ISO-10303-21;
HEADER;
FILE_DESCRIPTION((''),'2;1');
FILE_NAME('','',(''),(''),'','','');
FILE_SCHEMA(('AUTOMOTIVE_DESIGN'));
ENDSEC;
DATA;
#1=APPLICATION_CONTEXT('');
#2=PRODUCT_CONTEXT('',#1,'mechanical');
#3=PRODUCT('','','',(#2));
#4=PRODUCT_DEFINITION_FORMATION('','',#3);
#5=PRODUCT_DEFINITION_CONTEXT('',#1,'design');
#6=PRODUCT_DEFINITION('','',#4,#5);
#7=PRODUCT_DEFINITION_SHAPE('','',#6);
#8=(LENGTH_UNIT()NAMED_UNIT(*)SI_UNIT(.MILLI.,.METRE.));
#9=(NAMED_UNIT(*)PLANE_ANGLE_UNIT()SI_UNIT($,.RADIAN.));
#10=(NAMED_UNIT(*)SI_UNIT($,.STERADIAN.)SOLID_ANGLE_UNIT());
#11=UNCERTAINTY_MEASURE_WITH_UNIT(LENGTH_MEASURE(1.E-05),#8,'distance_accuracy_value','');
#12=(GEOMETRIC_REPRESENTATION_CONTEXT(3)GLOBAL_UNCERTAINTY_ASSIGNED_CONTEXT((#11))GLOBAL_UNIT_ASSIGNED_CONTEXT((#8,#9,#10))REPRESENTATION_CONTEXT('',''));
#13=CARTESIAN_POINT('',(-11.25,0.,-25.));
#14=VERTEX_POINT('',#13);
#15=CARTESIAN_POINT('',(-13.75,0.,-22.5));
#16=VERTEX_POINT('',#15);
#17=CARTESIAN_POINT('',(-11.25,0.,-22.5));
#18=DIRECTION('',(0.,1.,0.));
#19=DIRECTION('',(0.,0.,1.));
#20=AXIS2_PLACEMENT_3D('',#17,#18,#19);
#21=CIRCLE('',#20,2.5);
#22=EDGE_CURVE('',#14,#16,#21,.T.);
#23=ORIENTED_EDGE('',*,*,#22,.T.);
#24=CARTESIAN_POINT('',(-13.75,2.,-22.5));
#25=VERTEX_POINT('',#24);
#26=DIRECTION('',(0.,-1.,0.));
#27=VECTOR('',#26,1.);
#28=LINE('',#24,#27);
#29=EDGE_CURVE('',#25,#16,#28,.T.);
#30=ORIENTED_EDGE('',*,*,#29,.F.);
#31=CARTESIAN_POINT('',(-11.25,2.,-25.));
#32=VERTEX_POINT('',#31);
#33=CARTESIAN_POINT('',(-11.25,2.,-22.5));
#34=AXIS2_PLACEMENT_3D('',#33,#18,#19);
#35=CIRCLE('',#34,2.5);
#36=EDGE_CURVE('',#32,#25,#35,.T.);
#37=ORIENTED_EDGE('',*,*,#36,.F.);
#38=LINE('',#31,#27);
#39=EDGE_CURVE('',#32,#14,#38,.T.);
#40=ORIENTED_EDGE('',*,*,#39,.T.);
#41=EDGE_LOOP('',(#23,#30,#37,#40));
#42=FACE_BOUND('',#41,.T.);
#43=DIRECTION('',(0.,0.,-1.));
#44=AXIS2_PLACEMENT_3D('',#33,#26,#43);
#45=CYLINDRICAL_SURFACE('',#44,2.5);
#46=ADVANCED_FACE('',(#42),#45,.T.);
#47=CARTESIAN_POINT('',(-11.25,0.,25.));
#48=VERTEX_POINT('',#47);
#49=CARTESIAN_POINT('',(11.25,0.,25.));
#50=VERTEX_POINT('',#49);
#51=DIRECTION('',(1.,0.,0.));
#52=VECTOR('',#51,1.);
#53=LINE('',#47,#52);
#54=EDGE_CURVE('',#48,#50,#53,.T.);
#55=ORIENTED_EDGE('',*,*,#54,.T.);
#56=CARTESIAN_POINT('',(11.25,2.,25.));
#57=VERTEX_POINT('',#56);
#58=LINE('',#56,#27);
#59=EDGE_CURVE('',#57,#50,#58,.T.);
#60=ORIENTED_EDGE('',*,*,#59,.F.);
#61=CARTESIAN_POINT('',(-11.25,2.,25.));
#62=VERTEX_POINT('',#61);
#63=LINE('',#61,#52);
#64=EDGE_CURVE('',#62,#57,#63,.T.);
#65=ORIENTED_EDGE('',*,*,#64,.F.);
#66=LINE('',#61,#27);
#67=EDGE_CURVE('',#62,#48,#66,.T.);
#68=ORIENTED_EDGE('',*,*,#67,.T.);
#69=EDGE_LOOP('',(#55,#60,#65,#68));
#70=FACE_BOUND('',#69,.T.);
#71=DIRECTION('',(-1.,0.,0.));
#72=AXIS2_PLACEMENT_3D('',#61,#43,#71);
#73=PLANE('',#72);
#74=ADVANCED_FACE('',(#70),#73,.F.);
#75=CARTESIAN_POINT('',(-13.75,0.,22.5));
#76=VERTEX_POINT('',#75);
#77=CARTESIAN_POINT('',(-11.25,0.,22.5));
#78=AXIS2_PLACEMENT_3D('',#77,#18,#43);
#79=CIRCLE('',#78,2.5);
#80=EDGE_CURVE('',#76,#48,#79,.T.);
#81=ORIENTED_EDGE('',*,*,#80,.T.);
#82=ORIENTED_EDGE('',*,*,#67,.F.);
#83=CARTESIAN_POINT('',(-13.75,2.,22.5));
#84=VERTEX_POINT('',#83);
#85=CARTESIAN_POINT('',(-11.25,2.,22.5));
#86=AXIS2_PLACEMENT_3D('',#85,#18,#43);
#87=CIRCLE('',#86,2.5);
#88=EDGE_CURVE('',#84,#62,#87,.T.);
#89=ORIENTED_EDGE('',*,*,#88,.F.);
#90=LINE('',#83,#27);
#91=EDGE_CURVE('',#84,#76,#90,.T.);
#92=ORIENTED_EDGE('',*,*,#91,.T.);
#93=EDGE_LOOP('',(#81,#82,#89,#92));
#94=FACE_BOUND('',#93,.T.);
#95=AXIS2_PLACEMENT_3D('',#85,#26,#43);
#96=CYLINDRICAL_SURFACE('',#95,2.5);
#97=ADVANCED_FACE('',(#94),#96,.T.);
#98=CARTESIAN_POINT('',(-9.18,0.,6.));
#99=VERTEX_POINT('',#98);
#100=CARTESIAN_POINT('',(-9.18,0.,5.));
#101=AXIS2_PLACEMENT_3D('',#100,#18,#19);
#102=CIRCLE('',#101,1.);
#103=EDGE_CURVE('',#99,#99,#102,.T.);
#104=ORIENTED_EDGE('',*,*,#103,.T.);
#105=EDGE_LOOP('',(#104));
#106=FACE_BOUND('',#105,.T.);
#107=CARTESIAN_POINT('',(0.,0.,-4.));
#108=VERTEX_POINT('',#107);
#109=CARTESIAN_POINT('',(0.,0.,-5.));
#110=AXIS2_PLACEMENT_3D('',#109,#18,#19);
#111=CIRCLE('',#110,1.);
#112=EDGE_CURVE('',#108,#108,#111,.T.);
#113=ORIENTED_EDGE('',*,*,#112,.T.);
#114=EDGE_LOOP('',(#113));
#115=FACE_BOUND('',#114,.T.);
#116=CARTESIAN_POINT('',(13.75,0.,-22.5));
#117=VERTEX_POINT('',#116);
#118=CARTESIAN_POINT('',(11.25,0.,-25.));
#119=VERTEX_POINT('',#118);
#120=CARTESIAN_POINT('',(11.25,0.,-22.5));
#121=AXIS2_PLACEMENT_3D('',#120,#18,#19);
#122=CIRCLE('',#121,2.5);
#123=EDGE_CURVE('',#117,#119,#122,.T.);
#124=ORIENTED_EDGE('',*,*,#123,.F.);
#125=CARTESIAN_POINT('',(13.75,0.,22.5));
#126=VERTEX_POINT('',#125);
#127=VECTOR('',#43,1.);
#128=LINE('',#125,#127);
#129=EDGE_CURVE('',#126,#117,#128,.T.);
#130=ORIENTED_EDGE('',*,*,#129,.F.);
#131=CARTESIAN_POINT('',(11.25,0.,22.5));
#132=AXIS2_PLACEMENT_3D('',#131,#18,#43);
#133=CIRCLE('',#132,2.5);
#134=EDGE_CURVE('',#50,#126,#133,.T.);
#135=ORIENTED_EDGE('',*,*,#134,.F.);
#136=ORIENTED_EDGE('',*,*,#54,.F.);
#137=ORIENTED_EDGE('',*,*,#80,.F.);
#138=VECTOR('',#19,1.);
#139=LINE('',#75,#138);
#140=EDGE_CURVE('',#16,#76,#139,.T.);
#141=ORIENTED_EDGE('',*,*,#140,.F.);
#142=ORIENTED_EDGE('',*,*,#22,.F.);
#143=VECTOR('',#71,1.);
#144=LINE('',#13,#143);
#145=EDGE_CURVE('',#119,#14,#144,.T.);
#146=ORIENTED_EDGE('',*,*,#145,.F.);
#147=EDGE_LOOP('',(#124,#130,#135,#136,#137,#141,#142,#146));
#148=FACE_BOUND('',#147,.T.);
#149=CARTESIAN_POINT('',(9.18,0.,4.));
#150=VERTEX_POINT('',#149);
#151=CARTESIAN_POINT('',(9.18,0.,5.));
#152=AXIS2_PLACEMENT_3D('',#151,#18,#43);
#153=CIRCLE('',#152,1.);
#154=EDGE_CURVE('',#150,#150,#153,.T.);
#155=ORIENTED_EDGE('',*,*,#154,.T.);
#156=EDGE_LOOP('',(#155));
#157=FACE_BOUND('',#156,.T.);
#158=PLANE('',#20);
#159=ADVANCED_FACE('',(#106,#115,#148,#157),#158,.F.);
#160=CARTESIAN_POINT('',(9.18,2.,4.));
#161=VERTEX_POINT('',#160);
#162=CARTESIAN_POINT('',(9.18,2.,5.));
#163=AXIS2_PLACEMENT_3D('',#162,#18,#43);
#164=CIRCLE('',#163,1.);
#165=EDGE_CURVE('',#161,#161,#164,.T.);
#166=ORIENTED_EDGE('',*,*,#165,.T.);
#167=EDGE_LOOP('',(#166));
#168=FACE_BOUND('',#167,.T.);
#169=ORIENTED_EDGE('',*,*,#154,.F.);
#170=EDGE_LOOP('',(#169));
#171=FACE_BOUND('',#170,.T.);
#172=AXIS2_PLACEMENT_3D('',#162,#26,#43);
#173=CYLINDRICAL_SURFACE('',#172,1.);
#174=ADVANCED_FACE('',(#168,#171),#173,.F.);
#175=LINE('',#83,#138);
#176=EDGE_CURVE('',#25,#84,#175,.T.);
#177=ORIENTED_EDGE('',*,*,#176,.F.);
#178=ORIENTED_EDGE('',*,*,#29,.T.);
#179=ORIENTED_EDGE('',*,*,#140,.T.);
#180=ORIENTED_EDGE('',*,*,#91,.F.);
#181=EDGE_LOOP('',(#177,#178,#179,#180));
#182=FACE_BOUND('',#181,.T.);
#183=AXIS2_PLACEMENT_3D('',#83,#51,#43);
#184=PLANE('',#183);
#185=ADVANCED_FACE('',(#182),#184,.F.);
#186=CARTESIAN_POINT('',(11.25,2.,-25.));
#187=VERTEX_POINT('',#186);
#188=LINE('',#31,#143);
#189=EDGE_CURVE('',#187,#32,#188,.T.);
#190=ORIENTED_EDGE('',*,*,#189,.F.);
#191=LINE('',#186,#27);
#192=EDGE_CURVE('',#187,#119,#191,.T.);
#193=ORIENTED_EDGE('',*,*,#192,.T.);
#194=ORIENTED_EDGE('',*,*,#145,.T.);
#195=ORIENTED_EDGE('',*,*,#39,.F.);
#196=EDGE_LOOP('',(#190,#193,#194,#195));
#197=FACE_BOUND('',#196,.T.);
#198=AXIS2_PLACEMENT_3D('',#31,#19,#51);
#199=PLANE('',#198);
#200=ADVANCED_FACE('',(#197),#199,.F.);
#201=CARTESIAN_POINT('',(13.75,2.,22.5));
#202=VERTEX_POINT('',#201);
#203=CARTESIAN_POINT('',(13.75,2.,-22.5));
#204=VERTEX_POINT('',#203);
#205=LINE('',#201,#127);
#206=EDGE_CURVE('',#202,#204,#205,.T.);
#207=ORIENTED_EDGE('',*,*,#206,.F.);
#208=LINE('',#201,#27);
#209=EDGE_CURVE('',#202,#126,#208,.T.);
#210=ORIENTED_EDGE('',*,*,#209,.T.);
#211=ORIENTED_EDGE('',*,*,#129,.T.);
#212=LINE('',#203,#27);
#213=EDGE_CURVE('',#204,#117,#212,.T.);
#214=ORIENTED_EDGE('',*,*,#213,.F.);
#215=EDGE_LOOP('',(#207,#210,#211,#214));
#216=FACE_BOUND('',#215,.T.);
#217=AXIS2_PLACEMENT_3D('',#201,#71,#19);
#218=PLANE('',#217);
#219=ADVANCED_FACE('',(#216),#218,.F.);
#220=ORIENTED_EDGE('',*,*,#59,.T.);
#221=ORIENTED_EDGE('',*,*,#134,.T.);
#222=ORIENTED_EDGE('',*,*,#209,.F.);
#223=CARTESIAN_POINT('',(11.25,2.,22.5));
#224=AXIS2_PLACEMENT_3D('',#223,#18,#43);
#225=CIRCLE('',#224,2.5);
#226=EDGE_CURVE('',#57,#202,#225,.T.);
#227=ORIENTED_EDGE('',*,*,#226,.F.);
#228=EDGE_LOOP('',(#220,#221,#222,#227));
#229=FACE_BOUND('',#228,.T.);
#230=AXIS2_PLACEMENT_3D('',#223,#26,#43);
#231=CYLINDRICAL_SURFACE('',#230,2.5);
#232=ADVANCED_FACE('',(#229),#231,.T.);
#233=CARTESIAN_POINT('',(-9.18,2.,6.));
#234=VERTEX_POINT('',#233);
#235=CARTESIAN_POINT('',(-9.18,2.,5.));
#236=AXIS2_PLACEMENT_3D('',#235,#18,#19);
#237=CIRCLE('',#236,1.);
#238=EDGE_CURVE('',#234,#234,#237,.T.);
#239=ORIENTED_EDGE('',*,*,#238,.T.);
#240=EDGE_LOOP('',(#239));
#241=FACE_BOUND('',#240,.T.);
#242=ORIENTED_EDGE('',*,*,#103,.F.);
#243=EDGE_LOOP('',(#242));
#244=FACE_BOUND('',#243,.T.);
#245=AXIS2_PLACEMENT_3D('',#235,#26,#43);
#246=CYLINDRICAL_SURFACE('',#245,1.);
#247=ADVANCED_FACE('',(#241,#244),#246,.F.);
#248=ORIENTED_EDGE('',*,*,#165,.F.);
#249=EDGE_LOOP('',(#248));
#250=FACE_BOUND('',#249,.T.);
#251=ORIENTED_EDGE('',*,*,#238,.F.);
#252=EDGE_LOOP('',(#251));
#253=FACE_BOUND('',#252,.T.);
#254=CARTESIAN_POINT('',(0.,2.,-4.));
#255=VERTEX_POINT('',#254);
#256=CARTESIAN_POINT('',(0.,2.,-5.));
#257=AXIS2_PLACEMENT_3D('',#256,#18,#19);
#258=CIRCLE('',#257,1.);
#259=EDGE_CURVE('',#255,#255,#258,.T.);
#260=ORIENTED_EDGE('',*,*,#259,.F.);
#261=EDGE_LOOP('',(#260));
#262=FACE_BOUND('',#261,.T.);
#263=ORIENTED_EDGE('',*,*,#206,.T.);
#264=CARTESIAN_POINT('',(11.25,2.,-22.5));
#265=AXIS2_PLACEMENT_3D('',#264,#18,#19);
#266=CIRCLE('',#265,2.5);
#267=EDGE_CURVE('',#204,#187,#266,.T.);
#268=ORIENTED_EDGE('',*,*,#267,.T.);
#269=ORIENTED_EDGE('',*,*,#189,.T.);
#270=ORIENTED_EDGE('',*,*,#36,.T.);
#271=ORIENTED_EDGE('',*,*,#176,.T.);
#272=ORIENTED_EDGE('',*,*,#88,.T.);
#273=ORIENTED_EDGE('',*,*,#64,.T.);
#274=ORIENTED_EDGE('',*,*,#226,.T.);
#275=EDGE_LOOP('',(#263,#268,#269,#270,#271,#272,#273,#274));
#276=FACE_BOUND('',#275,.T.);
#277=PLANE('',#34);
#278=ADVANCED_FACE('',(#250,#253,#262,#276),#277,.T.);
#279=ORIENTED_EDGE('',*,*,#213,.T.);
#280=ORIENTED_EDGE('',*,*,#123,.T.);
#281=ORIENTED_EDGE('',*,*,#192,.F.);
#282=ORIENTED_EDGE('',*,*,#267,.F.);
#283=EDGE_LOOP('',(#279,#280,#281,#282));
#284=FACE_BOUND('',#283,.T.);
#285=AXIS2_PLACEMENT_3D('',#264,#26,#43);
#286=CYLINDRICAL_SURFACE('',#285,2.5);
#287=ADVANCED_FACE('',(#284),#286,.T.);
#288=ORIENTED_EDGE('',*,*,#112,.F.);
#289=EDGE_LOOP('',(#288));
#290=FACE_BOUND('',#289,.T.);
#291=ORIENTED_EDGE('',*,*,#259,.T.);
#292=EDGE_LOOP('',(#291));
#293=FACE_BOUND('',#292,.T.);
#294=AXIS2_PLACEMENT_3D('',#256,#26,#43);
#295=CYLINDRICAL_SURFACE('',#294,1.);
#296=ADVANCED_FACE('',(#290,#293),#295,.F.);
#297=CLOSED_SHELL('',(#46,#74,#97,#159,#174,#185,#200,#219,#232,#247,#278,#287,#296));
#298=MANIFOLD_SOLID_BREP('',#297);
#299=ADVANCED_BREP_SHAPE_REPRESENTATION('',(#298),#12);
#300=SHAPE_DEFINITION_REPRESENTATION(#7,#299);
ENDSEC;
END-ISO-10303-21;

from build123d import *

# Parameters (mm, degrees)
SKETCH1_R           = 1
BOSS_EXTRUDE1_DEPTH = 2


with BuildPart() as part:
    # Sketch1 → Boss-Extrude1 (new body)
    with BuildSketch(Plane(origin=(0, 0, 0), x_dir=(1, 0, 0), z_dir=(0, 1, 0))):
        with BuildLine():
            Line((-11.25, -25), (11.25, -25))
            ThreePointArc((11.25, -25), (13.017766953, -24.267766953), (13.75, -22.5))
            Line((13.75, -22.5), (13.75, 22.5))
            ThreePointArc((13.75, 22.5), (13.017766953, 24.267766953), (11.25, 25))
            Line((11.25, 25), (-11.25, 25))
            ThreePointArc((-11.25, 25), (-13.017766953, 24.267766953), (-13.75, 22.5))
            Line((-13.75, 22.5), (-13.75, -22.5))
            ThreePointArc((-13.75, -22.5), (-13.017766953, -24.267766953), (-11.25, -25))
        make_face()
        with Locations((0, 5)):
            Circle(SKETCH1_R, mode=Mode.SUBTRACT)
        with Locations((-9.18, -5)):
            Circle(SKETCH1_R, mode=Mode.SUBTRACT)
        with Locations((9.18, -5)):
            Circle(SKETCH1_R, mode=Mode.SUBTRACT)
    extrude(amount=BOSS_EXTRUDE1_DEPTH)


solid = part.part
